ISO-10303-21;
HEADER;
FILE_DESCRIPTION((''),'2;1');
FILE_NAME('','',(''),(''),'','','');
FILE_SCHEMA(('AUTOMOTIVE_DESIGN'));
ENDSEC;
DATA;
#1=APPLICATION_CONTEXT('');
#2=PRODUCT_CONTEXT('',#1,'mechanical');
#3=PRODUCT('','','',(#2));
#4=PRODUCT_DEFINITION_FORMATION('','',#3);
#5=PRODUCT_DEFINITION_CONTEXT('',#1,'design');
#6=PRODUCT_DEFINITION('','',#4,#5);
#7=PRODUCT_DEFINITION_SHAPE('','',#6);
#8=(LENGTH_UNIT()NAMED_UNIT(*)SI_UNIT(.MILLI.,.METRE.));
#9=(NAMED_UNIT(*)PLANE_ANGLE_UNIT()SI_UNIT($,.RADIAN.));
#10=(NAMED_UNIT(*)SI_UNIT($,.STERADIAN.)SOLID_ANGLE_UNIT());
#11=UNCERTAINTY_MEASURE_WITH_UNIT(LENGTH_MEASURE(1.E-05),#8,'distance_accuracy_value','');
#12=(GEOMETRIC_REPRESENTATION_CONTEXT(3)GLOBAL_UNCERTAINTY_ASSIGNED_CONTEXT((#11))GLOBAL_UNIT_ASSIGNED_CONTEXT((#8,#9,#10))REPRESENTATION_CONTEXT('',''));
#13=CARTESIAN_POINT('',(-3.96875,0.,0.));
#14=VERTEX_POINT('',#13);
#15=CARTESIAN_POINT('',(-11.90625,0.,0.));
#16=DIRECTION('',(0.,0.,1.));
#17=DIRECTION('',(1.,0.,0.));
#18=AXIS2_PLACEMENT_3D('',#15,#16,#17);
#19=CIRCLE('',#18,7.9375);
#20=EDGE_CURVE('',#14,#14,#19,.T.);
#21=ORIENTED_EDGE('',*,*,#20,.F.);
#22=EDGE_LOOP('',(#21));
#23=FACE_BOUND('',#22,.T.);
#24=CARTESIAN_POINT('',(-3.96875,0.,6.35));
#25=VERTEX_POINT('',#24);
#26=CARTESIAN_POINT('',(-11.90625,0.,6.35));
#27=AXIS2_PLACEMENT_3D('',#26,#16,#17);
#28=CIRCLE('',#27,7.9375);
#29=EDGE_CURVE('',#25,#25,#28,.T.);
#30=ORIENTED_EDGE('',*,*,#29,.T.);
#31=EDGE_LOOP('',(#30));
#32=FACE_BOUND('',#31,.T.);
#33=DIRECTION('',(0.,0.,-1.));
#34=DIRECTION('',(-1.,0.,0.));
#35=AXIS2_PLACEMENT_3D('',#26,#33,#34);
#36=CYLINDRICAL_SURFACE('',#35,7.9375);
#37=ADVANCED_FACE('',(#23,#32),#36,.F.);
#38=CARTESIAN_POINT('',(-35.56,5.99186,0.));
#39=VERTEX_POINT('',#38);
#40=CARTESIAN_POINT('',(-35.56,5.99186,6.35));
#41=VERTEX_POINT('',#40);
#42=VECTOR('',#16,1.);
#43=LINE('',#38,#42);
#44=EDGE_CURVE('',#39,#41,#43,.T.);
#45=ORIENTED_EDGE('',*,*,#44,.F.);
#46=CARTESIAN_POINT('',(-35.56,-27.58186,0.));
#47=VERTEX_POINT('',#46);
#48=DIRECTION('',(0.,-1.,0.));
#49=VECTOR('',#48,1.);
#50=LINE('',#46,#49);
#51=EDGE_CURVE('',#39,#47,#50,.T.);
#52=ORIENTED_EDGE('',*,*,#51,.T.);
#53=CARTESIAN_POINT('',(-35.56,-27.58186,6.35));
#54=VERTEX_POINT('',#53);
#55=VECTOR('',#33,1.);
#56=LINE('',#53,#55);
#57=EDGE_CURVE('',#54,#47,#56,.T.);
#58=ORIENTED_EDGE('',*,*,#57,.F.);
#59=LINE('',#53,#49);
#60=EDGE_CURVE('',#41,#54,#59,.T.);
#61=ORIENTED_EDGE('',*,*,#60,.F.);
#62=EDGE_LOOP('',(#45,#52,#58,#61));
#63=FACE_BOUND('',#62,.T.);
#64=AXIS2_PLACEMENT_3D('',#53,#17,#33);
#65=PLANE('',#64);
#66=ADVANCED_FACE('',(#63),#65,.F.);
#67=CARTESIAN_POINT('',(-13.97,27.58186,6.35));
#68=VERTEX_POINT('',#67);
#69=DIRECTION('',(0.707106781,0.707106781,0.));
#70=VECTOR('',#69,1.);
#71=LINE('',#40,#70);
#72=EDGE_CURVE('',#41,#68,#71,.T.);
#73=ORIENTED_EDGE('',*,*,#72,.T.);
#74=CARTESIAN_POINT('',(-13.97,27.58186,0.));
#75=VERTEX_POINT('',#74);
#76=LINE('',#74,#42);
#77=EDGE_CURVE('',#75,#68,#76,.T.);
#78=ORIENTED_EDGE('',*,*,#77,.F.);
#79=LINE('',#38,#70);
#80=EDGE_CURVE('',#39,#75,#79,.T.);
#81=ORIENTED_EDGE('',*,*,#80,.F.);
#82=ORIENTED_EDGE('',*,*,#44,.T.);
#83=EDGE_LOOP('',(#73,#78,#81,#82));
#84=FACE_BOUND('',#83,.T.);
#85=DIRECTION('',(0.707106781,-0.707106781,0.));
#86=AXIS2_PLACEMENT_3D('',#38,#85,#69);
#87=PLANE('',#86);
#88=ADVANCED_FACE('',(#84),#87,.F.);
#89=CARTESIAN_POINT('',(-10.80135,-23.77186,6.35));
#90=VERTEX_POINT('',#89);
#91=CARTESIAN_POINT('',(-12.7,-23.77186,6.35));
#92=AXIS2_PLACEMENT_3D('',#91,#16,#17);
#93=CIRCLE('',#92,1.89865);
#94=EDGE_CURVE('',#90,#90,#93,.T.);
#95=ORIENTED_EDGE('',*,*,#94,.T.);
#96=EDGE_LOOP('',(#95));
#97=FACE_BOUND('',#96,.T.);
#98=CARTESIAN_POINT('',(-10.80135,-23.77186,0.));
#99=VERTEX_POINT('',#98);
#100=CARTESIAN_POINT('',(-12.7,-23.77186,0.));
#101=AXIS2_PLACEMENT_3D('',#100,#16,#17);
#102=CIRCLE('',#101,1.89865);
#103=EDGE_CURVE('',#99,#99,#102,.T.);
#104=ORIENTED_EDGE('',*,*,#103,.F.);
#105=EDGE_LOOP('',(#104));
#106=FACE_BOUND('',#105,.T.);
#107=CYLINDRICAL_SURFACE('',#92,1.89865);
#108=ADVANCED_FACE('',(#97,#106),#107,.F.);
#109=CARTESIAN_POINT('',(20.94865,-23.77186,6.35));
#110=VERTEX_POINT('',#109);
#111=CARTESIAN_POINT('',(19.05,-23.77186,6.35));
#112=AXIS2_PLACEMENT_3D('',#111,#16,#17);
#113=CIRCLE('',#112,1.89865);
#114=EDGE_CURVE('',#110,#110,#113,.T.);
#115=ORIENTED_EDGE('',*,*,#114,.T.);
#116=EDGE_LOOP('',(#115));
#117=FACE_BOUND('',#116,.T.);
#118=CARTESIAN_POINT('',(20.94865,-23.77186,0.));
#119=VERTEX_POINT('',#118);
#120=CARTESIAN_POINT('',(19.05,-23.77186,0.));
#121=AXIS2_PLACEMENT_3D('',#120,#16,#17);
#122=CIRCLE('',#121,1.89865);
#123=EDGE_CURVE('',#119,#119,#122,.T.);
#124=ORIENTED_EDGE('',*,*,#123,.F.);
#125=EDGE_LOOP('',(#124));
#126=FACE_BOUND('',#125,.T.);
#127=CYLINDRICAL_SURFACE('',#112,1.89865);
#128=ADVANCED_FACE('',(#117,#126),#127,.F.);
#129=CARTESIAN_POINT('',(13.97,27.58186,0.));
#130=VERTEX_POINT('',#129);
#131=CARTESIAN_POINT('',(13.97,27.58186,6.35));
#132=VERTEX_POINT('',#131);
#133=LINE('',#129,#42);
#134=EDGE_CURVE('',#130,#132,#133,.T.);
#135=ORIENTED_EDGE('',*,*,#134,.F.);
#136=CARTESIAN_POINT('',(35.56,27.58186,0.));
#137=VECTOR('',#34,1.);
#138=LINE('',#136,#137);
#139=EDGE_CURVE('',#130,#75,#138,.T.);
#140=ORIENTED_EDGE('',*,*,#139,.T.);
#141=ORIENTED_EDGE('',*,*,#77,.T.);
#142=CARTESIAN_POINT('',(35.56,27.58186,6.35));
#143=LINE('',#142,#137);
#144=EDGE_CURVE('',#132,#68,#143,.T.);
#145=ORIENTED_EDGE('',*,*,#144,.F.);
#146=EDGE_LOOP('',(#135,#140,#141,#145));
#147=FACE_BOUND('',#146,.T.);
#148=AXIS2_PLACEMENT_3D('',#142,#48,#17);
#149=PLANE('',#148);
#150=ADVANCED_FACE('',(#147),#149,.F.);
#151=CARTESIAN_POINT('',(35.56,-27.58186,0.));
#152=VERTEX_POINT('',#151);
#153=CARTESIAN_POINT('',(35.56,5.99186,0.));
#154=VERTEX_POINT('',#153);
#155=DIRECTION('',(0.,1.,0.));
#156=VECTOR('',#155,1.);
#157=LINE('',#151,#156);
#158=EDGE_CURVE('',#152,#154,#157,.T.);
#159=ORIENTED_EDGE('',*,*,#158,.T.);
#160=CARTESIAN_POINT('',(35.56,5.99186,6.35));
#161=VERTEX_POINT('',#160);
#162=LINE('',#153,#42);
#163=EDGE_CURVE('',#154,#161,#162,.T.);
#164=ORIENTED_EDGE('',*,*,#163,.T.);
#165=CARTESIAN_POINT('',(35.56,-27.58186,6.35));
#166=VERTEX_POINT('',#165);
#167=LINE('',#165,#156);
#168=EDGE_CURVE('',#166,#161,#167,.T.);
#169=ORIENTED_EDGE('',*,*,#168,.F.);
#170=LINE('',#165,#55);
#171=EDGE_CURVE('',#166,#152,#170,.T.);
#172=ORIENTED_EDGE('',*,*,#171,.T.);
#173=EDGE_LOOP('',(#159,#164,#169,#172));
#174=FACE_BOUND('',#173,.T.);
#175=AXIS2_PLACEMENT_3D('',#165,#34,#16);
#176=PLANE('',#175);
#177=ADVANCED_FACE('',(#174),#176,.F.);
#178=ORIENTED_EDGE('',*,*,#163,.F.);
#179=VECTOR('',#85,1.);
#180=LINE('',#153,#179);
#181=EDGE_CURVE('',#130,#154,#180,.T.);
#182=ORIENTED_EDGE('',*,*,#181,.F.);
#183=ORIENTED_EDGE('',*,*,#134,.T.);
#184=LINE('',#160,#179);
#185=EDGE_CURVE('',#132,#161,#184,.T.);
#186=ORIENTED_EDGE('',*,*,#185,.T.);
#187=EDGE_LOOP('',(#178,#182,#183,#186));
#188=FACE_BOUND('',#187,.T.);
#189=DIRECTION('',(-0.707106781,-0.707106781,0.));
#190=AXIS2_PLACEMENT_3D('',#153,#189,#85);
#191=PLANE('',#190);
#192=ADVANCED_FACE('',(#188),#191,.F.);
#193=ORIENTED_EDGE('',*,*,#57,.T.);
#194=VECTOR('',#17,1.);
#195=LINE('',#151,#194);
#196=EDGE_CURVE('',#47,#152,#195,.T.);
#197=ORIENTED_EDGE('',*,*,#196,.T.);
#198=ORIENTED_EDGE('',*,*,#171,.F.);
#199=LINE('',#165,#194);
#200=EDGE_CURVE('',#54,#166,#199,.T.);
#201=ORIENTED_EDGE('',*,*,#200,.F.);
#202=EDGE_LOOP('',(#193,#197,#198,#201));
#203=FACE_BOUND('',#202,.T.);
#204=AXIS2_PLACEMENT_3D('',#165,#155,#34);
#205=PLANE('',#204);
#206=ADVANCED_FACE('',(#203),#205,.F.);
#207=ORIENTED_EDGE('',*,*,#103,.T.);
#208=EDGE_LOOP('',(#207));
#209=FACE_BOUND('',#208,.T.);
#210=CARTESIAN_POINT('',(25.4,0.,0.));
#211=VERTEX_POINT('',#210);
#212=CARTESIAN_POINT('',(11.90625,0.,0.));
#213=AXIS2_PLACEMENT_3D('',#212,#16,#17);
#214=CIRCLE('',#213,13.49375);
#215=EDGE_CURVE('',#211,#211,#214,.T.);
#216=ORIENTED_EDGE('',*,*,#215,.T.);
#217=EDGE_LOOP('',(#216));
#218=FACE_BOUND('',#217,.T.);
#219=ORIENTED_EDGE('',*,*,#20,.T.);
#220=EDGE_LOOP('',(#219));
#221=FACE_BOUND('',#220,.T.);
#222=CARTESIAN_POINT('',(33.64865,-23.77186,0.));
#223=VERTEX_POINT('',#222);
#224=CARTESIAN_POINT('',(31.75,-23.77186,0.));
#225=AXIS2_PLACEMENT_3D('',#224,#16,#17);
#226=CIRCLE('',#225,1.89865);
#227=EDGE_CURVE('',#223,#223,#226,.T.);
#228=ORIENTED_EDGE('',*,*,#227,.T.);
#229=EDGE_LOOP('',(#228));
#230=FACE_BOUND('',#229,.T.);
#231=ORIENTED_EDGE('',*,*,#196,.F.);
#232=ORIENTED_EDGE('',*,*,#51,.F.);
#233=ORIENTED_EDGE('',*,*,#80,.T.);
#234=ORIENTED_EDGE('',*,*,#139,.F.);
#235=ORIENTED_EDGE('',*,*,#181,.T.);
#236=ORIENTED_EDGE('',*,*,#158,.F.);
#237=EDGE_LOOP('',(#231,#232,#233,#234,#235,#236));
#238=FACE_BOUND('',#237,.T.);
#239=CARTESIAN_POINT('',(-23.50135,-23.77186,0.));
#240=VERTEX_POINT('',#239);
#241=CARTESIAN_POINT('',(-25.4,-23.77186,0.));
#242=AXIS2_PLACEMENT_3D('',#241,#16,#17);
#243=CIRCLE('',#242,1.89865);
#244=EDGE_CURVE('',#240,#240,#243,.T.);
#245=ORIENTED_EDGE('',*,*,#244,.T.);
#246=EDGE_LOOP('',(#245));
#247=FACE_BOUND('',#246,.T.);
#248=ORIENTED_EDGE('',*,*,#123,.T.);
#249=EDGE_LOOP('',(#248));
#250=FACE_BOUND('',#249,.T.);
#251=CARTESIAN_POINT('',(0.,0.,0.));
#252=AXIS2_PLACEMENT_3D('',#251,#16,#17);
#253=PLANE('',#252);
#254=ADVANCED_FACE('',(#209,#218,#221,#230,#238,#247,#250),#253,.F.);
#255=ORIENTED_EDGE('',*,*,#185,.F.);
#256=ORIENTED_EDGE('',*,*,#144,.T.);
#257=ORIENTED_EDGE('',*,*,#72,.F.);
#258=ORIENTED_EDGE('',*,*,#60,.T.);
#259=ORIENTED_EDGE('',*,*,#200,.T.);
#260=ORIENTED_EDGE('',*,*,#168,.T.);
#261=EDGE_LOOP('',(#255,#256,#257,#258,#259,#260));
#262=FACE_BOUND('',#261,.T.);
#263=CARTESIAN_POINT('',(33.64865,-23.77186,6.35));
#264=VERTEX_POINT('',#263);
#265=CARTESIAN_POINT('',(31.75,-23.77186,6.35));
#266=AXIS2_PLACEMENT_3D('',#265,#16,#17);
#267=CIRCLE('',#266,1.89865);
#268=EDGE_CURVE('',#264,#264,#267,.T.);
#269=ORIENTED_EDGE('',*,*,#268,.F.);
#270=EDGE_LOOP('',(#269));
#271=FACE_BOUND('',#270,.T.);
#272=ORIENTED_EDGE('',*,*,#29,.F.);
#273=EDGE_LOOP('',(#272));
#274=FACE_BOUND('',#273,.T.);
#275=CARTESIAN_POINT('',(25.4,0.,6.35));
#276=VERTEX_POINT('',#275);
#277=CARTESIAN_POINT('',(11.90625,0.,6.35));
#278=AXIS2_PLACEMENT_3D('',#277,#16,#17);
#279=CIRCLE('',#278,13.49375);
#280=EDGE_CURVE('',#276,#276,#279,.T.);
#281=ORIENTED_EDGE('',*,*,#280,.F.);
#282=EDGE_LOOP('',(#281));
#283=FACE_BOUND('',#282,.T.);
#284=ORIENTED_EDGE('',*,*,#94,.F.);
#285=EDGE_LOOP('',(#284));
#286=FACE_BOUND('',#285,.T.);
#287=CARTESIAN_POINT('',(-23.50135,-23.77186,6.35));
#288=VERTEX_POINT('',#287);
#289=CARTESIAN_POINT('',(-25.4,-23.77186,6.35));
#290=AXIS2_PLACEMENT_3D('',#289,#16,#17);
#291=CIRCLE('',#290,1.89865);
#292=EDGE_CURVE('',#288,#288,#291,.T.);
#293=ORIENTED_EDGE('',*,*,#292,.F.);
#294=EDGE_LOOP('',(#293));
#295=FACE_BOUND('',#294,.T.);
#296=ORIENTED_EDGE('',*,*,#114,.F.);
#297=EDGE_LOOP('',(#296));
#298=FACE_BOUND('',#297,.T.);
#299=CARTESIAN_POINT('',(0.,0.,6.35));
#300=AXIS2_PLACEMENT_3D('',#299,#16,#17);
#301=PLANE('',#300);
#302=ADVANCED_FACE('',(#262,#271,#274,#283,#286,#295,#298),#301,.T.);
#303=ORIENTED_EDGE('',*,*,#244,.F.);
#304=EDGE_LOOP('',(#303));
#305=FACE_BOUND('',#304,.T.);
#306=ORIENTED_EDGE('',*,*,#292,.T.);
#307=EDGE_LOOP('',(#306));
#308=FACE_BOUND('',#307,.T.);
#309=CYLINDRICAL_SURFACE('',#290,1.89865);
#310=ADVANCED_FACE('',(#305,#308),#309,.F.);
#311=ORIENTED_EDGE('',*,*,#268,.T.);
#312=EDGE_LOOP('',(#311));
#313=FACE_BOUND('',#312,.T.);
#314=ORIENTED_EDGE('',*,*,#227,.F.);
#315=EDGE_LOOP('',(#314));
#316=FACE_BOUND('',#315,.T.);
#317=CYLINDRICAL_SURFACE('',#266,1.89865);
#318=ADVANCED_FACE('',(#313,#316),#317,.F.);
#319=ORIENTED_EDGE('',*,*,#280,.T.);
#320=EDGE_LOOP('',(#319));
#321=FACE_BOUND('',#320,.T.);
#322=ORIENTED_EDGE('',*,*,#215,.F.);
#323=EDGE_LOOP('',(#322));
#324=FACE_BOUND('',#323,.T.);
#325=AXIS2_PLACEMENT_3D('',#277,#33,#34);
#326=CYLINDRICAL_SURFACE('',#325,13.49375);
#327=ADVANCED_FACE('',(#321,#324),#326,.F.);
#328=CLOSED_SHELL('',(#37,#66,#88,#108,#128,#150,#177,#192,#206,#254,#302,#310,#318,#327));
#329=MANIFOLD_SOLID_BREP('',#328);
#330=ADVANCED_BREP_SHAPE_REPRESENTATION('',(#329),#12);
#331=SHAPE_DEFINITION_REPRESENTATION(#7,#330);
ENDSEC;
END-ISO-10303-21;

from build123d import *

# Parameters (mm, degrees)
SKETCH1_W             = 71.12
SKETCH1_H             = 55.16372
SKETCH1_R             = 13.49375
SKETCH1_R_2           = 7.9375
BOSS_EXTRUDE1_DEPTH   = 6.35
F_6_CLEARANCE_HOLE1_D = 3.7973
CUT_EXTRUDE1_DEPTH    = 46.448818478


with BuildPart() as part:
    # Sketch1 → Boss-Extrude1 (new body)
    with BuildSketch(Plane.XY):
        Rectangle(SKETCH1_W, SKETCH1_H)
        with Locations((11.90625, 0)):
            Circle(SKETCH1_R, mode=Mode.SUBTRACT)
        with Locations((-11.90625, 0)):
            Circle(SKETCH1_R_2, mode=Mode.SUBTRACT)
    extrude(amount=BOSS_EXTRUDE1_DEPTH)

    # #6 Clearance Hole1 (through all)
    with Locations(Plane.XY.offset(6.35)):
        with Locations((-25.4, -23.77186), (-12.7, -23.77186), (19.05, -23.77186), (31.75, -23.77186)):
            Hole(F_6_CLEARANCE_HOLE1_D / 2)

    # Sketch4 → Cut-Extrude1 (cut, through all)
    with BuildSketch(Plane.XY.offset(6.35)):
        Polygon((-35.56, 5.99186), (-13.97, 27.58186), (-35.56, 27.58186), align=None)
        Polygon((35.56, 5.99186), (13.97, 27.58186), (35.56, 27.58186), align=None)
    extrude(amount=-CUT_EXTRUDE1_DEPTH, mode=Mode.SUBTRACT)


solid = part.part
